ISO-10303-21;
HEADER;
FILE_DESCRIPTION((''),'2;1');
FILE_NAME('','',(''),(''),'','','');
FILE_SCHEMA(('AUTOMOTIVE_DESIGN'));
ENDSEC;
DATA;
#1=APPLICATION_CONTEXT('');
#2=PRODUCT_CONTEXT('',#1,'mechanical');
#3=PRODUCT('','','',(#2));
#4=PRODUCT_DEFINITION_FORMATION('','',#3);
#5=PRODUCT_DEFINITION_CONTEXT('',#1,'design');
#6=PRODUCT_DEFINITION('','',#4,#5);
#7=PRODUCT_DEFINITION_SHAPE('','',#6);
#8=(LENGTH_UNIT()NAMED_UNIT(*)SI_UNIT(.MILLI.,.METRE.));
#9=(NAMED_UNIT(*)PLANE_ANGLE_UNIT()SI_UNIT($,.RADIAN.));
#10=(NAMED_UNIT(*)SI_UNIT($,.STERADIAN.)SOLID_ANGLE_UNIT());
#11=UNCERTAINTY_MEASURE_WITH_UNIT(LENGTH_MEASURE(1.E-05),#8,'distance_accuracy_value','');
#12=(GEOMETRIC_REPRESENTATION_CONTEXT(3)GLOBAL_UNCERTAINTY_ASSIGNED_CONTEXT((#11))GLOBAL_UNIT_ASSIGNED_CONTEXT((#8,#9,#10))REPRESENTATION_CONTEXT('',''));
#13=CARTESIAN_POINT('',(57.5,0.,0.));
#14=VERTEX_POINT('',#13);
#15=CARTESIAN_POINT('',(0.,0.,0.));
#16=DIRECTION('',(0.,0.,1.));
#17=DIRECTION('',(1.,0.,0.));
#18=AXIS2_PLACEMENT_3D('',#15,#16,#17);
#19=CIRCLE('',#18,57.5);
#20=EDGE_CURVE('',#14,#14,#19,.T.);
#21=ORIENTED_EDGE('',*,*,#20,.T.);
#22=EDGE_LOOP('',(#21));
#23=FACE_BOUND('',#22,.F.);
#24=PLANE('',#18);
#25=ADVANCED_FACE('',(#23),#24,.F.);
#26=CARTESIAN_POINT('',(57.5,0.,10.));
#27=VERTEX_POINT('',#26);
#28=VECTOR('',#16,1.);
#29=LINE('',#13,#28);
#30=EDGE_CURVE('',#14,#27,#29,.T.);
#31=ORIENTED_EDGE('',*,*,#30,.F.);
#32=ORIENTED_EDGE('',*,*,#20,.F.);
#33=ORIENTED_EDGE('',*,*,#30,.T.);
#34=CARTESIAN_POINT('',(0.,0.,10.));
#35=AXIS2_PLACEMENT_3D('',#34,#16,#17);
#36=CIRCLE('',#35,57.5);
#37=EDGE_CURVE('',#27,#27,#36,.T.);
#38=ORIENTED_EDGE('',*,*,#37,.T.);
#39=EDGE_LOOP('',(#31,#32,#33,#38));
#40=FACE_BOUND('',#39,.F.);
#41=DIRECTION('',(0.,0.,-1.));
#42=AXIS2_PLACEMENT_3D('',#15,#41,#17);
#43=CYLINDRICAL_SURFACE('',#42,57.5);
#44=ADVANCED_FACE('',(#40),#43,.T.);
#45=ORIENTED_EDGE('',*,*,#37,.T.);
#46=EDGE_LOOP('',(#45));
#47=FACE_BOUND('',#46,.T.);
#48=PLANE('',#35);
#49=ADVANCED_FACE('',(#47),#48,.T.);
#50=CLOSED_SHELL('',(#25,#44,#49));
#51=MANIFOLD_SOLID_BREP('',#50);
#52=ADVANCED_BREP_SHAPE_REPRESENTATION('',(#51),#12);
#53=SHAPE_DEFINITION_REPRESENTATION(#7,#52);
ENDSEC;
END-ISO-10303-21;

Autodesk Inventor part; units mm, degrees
ref_plane "YZ Plane" through (0, 0, 0) normal (1, 0, 0) x (0, 1, 0)
ref_plane "XZ Plane" through (0, 0, 0) normal (0, 1, 0) x (-1, 0, 0)
ref_plane "XY Plane" through (0, 0, 0) normal (0, 0, 1) x (1, 0, 0)
sketch "Sketch1" plane through (0, 0, 0) normal (0, 0, 1) x (1, 0, 0)
  circle A0 centre (0, 0) radius 57.5
  dimension "d0" = 115
extrude "Extrusion1" add sketch "Sketch1" along normal blind 10
properties part number "glass-115-10" material "Glass"
